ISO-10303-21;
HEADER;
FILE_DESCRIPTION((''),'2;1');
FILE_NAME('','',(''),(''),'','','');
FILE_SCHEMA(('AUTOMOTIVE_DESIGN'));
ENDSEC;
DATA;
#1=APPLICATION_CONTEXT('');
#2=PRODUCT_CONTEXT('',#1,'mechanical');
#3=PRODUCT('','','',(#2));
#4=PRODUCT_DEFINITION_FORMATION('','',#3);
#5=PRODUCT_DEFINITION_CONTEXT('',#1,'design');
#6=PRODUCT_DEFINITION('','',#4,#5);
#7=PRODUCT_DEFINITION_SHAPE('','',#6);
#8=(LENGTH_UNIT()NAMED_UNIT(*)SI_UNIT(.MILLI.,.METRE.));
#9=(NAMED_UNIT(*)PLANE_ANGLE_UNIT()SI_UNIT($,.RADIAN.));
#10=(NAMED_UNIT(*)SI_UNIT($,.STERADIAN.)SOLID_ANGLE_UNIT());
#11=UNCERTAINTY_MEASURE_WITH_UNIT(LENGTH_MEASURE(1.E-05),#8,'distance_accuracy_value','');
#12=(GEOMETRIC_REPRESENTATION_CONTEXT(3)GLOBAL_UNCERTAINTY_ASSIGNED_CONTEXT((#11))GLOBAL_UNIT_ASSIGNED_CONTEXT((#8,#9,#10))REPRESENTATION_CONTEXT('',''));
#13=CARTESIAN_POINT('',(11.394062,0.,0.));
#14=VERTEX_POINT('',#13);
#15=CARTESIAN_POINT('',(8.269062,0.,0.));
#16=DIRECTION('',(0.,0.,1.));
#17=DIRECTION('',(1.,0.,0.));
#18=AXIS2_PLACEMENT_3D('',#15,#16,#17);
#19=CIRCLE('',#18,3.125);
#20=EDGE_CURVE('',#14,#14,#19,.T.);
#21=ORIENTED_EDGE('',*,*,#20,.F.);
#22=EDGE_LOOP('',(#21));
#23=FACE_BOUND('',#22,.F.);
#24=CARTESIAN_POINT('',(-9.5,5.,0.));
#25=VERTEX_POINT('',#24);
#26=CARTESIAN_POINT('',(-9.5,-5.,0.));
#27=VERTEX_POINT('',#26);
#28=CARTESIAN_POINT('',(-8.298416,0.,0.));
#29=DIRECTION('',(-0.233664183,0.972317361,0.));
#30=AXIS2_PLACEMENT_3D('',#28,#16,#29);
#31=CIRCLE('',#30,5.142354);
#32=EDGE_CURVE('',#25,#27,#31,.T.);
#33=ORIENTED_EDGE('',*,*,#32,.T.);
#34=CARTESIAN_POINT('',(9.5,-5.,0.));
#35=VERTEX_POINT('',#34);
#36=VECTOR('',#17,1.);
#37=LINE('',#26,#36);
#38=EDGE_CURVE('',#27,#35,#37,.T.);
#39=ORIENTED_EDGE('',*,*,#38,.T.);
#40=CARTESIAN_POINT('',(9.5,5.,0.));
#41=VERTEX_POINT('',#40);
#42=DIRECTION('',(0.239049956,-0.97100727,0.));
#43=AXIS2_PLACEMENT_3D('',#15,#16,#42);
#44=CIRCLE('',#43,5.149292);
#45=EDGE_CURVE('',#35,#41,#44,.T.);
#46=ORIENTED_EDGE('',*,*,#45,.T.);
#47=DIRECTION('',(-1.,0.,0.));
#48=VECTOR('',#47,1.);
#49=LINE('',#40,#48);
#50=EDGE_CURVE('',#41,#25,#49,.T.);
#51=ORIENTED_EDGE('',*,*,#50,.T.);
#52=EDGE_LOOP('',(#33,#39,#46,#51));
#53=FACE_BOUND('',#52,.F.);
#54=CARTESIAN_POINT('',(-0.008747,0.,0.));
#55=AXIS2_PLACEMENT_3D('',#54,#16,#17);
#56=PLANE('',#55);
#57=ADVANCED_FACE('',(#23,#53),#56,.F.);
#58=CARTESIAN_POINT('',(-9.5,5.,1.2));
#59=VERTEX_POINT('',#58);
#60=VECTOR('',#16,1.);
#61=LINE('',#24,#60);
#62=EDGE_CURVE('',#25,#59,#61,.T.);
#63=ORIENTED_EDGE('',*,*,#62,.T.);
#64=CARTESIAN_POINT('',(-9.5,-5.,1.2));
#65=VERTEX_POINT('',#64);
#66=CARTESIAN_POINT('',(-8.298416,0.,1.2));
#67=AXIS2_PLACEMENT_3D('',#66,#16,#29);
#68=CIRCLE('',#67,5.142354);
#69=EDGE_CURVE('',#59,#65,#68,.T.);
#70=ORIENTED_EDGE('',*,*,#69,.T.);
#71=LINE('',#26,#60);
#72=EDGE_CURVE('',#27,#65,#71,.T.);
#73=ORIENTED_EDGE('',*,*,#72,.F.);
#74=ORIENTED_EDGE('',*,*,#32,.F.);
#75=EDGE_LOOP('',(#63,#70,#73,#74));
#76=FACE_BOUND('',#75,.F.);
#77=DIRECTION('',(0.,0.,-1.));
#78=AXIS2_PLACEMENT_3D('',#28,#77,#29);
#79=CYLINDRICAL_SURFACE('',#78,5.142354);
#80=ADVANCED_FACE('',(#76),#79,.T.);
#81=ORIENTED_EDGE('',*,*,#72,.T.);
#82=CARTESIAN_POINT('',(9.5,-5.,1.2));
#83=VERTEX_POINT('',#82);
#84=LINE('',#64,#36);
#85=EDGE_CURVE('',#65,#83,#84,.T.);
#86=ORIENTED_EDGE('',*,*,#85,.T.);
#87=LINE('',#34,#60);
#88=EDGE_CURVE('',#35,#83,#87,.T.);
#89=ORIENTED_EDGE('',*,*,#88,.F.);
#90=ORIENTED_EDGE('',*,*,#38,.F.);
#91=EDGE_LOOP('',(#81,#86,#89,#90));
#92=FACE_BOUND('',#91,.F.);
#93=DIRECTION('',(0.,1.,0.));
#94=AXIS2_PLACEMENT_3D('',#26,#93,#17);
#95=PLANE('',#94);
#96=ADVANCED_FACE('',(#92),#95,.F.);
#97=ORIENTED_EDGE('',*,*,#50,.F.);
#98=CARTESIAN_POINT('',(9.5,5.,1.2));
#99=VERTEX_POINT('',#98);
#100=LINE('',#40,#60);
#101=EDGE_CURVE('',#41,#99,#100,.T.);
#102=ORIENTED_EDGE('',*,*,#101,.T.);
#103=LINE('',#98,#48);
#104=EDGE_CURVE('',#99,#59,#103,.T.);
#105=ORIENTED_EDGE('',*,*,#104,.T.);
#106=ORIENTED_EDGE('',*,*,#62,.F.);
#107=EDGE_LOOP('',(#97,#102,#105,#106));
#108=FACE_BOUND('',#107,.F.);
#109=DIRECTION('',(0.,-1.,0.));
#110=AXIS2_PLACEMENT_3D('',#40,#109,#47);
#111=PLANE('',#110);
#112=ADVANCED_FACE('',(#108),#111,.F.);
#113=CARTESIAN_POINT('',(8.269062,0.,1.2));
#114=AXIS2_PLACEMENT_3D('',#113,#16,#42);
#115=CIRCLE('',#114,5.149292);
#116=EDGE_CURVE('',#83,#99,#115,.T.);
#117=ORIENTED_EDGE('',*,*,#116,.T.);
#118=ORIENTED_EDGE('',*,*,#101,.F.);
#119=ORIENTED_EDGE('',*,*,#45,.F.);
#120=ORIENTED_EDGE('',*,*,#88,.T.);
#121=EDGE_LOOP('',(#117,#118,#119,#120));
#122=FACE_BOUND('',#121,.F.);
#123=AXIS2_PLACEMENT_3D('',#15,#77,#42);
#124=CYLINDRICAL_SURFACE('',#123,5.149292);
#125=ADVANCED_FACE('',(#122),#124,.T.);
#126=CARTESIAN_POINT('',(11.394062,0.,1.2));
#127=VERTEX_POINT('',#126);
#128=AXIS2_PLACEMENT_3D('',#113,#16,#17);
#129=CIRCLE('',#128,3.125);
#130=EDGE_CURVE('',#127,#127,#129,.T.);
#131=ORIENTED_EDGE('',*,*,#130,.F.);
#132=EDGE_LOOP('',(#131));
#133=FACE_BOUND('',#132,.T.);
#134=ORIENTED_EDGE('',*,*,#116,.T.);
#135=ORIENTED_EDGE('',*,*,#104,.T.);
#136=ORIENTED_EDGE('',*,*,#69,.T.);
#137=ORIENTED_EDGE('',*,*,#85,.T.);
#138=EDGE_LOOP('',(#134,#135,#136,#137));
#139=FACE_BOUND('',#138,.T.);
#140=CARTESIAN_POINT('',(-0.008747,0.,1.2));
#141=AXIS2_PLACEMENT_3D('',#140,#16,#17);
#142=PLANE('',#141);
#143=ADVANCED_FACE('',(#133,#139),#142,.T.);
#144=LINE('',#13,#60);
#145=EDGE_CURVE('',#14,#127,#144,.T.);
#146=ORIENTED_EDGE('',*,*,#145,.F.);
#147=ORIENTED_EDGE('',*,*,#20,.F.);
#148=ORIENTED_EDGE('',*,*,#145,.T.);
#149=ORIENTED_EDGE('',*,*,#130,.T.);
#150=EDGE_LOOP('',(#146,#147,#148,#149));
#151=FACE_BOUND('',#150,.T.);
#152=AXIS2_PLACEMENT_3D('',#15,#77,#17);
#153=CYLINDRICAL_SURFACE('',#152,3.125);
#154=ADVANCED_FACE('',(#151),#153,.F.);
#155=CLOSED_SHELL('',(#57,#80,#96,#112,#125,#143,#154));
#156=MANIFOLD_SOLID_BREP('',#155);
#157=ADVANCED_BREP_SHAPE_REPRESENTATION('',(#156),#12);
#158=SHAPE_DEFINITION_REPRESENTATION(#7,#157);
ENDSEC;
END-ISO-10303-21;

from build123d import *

# Parameters (mm, degrees)
F0_R     = 3.125
F1_DEPTH = 1.2


with BuildPart() as f1:
    # F0 (on Top) → F1 (new body)
    with BuildSketch(Plane.XY):
        with BuildLine():
            Line((-9.5, -5), (9.5, -5))
            ThreePointArc((9.5, -5), (13.418354, 0), (9.5, 5))
            Line((9.5, 5), (-9.5, 5))
            ThreePointArc((-9.5, 5), (-13.44077, 0), (-9.5, -5))
        make_face()
        with Locations((8.269062, 0)):
            Circle(F0_R, mode=Mode.SUBTRACT)
    extrude(amount=F1_DEPTH)


solid = f1.part
